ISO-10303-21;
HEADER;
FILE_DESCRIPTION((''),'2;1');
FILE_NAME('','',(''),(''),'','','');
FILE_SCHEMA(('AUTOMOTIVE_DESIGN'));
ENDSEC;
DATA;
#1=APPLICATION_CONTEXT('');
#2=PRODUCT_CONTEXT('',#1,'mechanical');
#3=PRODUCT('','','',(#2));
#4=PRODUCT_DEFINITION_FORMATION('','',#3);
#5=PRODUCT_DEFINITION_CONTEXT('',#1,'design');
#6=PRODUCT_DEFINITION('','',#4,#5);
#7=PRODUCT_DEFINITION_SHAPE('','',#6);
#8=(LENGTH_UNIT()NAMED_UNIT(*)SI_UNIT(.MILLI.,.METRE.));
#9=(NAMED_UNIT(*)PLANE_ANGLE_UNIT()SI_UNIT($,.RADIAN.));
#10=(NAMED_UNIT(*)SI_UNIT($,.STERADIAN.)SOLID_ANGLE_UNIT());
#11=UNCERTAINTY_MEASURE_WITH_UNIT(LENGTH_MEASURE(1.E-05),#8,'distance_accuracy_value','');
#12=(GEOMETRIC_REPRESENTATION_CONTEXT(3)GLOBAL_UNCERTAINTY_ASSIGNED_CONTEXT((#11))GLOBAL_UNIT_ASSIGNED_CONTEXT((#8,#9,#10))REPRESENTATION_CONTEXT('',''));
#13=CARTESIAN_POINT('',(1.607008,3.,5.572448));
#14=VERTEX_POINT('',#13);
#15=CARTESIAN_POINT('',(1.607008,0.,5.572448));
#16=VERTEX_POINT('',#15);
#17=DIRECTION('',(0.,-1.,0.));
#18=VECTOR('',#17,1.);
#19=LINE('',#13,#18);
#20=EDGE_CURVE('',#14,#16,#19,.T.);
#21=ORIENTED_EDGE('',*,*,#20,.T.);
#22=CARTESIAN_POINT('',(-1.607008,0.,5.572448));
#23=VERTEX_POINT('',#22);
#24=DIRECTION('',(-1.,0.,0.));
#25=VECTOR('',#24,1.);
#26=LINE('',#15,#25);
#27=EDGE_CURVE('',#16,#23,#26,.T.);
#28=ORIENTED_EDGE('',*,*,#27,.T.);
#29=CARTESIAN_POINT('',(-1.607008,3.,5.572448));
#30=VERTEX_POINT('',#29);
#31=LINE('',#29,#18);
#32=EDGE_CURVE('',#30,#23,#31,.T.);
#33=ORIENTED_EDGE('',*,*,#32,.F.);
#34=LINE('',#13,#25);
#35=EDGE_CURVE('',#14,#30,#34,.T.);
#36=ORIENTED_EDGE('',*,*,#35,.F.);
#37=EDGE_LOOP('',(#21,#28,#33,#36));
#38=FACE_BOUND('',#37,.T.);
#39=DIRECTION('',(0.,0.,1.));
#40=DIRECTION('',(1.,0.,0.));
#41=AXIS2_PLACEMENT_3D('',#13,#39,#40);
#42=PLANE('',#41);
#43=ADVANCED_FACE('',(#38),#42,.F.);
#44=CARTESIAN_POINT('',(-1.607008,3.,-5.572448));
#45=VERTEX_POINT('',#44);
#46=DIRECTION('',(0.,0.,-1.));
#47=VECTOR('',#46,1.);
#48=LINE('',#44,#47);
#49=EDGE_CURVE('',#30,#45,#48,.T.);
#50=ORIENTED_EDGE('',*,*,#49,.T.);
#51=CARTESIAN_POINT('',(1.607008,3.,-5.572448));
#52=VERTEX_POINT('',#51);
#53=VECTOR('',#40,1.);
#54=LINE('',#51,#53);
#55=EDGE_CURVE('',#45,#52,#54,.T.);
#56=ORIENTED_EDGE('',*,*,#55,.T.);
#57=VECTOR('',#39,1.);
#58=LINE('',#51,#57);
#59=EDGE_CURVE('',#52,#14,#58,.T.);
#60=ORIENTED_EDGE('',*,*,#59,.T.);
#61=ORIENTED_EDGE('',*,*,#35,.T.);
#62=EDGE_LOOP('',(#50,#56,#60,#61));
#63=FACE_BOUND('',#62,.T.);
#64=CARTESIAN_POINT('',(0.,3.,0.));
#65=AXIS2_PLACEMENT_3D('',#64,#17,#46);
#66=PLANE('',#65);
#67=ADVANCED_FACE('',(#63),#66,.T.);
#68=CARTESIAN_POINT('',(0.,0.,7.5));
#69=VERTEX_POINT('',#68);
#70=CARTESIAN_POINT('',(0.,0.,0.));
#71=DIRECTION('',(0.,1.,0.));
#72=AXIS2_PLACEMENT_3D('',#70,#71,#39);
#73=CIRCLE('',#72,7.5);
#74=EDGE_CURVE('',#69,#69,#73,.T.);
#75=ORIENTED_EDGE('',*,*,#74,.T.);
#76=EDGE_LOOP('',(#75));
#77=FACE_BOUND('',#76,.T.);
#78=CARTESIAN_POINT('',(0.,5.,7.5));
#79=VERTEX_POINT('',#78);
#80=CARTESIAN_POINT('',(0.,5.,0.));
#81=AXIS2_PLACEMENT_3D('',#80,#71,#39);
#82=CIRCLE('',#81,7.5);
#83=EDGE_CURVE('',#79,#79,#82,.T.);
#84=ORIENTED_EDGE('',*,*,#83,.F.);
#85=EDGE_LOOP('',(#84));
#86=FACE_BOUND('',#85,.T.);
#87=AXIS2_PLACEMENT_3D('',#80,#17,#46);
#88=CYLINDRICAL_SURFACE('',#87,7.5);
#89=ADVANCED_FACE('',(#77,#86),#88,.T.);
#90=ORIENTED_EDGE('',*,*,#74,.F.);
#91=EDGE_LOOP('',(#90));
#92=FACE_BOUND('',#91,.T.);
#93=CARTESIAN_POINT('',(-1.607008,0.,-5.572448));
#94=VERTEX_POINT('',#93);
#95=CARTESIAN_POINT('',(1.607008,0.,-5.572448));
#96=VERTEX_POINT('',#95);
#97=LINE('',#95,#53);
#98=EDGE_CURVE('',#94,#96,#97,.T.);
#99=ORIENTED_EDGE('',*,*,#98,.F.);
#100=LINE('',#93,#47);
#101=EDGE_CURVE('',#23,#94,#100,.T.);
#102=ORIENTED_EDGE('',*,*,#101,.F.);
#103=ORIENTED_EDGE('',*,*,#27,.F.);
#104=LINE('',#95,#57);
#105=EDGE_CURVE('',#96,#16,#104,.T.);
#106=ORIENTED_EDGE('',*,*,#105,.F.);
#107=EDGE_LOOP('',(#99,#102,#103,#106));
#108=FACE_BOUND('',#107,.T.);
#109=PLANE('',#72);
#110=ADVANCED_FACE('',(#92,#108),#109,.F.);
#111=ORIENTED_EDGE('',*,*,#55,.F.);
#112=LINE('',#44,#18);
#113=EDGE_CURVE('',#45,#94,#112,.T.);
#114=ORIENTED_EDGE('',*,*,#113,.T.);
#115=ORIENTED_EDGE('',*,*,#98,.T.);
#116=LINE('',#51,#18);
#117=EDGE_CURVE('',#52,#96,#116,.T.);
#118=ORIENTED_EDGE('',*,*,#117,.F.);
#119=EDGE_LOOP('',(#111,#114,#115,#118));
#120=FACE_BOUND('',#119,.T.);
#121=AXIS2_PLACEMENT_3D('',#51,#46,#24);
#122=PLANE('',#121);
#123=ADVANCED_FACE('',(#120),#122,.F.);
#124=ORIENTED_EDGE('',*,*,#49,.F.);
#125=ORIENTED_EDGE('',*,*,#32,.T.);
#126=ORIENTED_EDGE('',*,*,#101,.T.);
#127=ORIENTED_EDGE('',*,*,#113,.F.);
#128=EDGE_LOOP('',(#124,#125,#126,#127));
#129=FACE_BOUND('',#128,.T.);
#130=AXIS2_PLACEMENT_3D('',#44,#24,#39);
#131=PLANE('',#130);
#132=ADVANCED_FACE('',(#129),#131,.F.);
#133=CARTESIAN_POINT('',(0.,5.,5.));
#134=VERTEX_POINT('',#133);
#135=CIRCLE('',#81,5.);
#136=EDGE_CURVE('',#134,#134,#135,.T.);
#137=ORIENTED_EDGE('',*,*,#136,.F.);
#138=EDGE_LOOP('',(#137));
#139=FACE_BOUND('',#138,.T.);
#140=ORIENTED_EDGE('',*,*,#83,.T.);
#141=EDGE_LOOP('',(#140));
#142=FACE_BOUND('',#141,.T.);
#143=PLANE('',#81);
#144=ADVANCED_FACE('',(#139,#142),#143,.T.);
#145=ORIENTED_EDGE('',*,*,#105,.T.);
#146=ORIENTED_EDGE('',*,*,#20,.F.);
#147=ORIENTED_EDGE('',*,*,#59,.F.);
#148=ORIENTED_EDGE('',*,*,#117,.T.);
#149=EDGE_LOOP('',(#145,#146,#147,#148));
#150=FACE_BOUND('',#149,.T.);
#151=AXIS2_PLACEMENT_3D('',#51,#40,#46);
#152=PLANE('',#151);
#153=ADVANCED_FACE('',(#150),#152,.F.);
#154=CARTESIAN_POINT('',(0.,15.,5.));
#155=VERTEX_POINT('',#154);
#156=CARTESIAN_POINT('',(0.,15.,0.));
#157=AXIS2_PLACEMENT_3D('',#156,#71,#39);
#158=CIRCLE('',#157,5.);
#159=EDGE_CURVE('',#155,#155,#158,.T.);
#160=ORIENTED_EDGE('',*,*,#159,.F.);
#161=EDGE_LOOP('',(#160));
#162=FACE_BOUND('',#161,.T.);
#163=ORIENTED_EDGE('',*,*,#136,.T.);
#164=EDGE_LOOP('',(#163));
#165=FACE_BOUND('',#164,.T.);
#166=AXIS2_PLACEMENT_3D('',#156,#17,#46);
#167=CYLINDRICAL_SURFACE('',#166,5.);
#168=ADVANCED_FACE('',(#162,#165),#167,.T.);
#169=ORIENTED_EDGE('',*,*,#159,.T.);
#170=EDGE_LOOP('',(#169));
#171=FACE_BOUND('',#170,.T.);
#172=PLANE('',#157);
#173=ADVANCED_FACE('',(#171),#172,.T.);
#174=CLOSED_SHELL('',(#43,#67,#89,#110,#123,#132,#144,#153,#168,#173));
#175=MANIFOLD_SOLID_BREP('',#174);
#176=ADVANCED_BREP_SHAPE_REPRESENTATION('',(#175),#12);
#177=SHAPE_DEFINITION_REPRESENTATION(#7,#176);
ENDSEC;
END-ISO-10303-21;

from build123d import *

# Parameters (mm, degrees)
SKETCH_1_R          = 7.5
EXTRUDE_1_DEPTH     = 5
SKETCH_2_R          = 5
EXTRUDE_2_DEPTH     = 10
SKETCH_3_W          = 3.214015664
SKETCH_3_H          = 11.144896912
CUT_EXTRUDE_1_DEPTH = 3


with BuildPart() as part:
    # 草图1 → 凸台-拉伸1 (new body)
    with BuildSketch(Plane(origin=(0, 0, 0), x_dir=(1, 0, 0), z_dir=(0, 1, 0))):
        with Locations(Location((0, 0, 0), (0, 0, 270))):
            Circle(SKETCH_1_R)
    extrude(amount=EXTRUDE_1_DEPTH)

    # 草图2 → 凸台-拉伸2 (add)
    with BuildSketch(Plane(origin=(0, 5, 0), x_dir=(1, 0, 0), z_dir=(0, 1, 0))):
        with Locations(Location((0, 0, 0), (0, 0, 270))):
            Circle(SKETCH_2_R)
    extrude(amount=EXTRUDE_2_DEPTH)

    # 草图3 → 切除-拉伸1 (cut)
    with BuildSketch(Plane(origin=(0, 0, 0), x_dir=(-1, 0, 0), z_dir=(0, -1, 0))):
        Rectangle(SKETCH_3_W, SKETCH_3_H)
    extrude(amount=-CUT_EXTRUDE_1_DEPTH, mode=Mode.SUBTRACT)


solid = part.part
